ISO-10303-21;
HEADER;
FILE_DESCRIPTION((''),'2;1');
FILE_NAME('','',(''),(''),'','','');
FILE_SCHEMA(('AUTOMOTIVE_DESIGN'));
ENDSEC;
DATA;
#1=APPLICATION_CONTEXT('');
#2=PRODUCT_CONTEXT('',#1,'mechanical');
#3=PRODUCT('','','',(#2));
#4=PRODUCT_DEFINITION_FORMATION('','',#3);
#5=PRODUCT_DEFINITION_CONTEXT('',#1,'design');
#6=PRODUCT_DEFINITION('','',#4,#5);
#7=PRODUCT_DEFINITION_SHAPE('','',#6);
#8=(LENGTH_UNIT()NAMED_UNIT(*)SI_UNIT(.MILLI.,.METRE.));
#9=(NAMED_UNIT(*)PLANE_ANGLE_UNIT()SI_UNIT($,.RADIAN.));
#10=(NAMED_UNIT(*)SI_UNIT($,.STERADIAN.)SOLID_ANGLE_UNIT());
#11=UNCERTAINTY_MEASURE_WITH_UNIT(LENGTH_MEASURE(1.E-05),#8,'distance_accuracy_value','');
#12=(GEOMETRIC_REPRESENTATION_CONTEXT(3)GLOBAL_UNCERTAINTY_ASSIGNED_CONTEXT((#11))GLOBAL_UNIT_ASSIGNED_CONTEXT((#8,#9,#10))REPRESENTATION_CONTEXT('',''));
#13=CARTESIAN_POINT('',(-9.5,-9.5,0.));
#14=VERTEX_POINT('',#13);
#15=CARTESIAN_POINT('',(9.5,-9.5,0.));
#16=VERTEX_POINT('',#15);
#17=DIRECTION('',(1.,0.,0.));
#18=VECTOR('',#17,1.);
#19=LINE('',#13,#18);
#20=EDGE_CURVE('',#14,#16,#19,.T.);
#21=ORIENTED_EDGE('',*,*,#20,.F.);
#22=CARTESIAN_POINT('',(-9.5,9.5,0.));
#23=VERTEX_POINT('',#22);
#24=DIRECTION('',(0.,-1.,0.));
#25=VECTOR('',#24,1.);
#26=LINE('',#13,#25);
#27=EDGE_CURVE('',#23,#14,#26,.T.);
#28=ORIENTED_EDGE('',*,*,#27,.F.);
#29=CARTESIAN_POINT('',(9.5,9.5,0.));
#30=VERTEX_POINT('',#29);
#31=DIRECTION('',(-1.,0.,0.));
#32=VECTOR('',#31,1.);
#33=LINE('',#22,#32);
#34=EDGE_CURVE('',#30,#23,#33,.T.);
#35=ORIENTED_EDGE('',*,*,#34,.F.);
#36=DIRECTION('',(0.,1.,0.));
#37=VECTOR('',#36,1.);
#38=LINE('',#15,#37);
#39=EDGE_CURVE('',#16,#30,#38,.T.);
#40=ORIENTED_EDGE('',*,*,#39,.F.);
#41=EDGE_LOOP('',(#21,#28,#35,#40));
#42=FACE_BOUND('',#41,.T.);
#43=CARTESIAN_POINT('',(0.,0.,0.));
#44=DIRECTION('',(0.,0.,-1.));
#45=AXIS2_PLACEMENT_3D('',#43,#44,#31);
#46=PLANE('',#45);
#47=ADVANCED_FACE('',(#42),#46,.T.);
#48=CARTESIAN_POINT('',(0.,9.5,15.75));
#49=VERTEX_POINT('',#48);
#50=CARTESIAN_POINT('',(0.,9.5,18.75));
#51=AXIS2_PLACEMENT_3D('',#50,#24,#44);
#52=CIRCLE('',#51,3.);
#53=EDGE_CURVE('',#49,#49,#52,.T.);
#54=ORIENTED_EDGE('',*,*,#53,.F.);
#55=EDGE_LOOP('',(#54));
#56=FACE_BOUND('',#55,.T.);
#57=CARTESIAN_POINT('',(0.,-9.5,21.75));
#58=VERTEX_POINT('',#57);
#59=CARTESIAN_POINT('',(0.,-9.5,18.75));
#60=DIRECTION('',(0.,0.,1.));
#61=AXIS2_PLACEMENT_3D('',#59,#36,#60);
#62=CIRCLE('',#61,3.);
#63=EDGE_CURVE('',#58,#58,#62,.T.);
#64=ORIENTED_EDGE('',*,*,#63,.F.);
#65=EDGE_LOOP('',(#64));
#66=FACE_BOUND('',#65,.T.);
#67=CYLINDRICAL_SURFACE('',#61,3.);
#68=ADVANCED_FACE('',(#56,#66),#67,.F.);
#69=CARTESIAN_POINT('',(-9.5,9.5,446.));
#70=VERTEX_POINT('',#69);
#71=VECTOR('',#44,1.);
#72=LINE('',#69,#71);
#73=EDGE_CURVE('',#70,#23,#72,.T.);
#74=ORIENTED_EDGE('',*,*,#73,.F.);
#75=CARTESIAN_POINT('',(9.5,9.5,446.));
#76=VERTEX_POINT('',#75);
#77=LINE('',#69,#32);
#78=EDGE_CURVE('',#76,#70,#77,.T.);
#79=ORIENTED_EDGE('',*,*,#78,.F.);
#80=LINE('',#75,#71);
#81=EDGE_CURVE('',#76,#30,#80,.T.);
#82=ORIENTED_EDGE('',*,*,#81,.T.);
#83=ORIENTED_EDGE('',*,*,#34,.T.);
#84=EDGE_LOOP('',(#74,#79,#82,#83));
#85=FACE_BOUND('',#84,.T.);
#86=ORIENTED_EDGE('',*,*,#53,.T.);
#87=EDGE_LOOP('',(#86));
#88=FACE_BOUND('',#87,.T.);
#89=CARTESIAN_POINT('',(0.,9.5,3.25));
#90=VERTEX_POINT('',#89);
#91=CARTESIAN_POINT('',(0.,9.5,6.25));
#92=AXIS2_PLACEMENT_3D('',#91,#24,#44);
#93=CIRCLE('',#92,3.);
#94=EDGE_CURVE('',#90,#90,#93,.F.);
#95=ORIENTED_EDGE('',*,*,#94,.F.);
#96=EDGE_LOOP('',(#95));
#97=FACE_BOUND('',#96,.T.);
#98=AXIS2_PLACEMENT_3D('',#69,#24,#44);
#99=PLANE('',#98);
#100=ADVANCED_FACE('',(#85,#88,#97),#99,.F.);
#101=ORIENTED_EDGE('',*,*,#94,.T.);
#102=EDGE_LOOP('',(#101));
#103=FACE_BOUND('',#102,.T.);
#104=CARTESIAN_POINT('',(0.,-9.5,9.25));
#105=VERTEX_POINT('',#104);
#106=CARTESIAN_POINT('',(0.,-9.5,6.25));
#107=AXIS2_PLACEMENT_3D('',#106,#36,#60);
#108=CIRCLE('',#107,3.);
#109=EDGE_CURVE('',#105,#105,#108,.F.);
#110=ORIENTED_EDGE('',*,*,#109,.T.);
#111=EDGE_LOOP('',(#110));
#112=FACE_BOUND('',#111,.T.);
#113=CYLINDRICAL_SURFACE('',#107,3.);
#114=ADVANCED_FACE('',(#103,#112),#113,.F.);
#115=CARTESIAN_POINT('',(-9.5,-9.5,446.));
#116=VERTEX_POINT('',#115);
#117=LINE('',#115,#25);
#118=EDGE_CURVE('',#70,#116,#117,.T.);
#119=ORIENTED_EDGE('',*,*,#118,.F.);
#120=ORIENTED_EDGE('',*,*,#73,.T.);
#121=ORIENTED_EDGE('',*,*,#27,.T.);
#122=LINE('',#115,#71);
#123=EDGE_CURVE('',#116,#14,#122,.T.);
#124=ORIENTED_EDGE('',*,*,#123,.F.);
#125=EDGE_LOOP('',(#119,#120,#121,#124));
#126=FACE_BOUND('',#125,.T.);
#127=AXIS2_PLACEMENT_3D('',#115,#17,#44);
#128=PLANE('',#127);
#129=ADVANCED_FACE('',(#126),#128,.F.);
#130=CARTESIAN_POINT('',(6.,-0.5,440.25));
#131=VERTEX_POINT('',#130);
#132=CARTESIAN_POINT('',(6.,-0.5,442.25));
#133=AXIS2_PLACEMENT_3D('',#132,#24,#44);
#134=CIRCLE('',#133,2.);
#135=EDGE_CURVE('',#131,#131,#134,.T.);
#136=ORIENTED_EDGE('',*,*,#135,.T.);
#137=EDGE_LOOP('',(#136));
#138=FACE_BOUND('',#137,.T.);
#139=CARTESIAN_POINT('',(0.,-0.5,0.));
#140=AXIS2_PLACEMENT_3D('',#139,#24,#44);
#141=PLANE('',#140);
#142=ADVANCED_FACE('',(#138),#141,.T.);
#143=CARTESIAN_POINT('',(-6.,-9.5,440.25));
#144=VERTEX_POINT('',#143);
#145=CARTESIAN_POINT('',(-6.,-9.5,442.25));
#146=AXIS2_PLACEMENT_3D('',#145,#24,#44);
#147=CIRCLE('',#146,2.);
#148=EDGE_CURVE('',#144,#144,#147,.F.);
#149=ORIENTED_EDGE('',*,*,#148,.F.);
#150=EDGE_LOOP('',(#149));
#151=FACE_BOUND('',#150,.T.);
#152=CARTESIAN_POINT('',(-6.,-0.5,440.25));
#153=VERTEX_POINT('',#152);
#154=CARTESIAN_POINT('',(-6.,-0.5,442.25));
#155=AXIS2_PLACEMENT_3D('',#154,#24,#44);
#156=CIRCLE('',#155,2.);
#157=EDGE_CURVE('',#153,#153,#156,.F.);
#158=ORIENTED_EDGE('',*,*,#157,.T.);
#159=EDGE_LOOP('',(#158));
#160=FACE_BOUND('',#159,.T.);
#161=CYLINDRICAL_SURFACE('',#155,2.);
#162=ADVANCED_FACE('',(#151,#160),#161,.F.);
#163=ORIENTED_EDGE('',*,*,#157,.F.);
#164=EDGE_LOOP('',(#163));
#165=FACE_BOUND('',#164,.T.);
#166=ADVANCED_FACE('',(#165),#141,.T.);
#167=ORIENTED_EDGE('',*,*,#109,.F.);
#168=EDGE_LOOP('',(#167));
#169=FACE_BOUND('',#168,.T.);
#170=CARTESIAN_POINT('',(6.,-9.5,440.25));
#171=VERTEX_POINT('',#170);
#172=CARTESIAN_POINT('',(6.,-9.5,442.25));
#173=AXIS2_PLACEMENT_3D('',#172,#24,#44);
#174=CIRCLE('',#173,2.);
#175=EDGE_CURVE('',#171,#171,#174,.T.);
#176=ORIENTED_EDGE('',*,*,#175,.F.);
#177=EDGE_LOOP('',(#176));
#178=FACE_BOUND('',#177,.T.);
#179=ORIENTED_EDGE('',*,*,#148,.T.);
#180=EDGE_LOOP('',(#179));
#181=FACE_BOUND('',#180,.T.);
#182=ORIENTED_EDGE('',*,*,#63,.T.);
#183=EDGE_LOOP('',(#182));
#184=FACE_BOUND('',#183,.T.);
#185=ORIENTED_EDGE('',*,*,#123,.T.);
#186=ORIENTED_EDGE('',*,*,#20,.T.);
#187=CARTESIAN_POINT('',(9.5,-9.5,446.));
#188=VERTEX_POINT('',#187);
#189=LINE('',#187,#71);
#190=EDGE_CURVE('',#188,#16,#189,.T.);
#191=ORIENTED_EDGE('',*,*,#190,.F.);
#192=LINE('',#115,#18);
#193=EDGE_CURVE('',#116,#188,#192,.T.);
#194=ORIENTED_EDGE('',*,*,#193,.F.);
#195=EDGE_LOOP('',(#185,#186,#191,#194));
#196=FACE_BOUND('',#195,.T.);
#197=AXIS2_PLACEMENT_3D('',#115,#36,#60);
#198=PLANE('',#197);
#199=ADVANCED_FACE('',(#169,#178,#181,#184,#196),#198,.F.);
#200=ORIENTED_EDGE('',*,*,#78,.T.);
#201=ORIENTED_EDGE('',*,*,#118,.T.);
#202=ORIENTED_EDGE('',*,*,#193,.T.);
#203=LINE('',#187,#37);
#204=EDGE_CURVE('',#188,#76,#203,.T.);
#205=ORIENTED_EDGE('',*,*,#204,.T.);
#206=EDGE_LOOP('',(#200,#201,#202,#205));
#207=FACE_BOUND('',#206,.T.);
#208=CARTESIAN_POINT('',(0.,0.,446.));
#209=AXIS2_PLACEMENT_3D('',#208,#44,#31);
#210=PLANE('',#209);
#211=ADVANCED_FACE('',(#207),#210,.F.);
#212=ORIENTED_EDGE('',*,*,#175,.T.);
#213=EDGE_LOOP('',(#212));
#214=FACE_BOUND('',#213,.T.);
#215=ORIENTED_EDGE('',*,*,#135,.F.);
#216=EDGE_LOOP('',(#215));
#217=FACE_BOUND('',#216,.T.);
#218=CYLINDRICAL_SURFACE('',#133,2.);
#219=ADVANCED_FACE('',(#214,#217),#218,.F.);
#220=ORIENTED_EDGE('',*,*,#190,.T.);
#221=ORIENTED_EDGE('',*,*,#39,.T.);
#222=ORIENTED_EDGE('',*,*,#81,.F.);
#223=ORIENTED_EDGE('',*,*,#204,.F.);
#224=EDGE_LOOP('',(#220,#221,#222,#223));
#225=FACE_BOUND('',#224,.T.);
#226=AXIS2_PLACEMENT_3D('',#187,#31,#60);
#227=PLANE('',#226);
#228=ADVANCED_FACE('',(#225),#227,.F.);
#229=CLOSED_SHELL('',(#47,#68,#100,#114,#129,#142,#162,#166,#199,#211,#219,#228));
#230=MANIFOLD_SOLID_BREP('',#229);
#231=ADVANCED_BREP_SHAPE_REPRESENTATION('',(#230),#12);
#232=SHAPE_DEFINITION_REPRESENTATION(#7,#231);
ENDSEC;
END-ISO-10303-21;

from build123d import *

# Parameters (mm, degrees)
SKETCH1_W               = 19
SKETCH1_H               = 19
BOSS_EXTRUDE1_DEPTH     = 446
CUT_EXTRUDE1_DEPTH      = 9
CUT_EXTRUDE2_DEPTH      = 1
CUT_EXTRUDE2_DEPTH_BACK = 20


with BuildPart() as part:
    # Sketch1 → Boss-Extrude1 (new body)
    with BuildSketch(Plane.XY):
        Rectangle(SKETCH1_W, SKETCH1_H)
    extrude(amount=BOSS_EXTRUDE1_DEPTH)

    # Sketch2 → Cut-Extrude1 (cut)
    with BuildSketch(Plane.XZ.offset(9.5)):
        with BuildLine():
            ThreePointArc((-4, 442.25), (-6, 444.25), (-8, 442.25))
            Line((-8, 442.25), (-4, 442.25))
        make_face()
        with BuildLine():
            Line((-4, 442.25), (-8, 442.25))
            ThreePointArc((-8, 442.25), (-6, 440.25), (-4, 442.25))
        make_face()
        with BuildLine():
            ThreePointArc((8, 442.25), (6, 444.25), (4, 442.25))
            Line((4, 442.25), (6, 442.25))
            Line((6, 442.25), (8, 442.25))
        make_face()
        with BuildLine():
            Line((6, 442.25), (4, 442.25))
            ThreePointArc((4, 442.25), (6, 440.25), (8, 442.25))
            Line((8, 442.25), (6, 442.25))
        make_face()
    extrude(amount=-CUT_EXTRUDE1_DEPTH, mode=Mode.SUBTRACT)

    # Sketch3 → Cut-Extrude2 (cut, two sides)
    with BuildSketch(Plane(origin=(0, 9.5, 0), x_dir=(1, 0, 0), z_dir=(0, 1, 0))) as cut_extrude2_sk:
        with BuildLine():
            ThreePointArc((3, -18.75), (2.121320344, -16.628679656), (0, -15.75))
            Line((0, -15.75), (0, -21.75))
            ThreePointArc((0, -21.75), (2.121320344, -20.871320344), (3, -18.75))
        make_face()
        with BuildLine():
            Line((0, -21.75), (0, -15.75))
            ThreePointArc((0, -15.75), (-3, -18.75), (0, -21.75))
        make_face()
        with BuildLine():
            ThreePointArc((3, -6.25), (2.121320344, -4.128679656), (0, -3.25))
            Line((0, -3.25), (0, -9.25))
            ThreePointArc((0, -9.25), (2.121320344, -8.371320344), (3, -6.25))
        make_face()
        with BuildLine():
            Line((0, -9.25), (0, -3.25))
            ThreePointArc((0, -3.25), (-3, -6.25), (0, -9.25))
        make_face()
    extrude(amount=CUT_EXTRUDE2_DEPTH, mode=Mode.SUBTRACT)
    extrude(cut_extrude2_sk.sketch, amount=-CUT_EXTRUDE2_DEPTH_BACK, mode=Mode.SUBTRACT)


solid = part.part
